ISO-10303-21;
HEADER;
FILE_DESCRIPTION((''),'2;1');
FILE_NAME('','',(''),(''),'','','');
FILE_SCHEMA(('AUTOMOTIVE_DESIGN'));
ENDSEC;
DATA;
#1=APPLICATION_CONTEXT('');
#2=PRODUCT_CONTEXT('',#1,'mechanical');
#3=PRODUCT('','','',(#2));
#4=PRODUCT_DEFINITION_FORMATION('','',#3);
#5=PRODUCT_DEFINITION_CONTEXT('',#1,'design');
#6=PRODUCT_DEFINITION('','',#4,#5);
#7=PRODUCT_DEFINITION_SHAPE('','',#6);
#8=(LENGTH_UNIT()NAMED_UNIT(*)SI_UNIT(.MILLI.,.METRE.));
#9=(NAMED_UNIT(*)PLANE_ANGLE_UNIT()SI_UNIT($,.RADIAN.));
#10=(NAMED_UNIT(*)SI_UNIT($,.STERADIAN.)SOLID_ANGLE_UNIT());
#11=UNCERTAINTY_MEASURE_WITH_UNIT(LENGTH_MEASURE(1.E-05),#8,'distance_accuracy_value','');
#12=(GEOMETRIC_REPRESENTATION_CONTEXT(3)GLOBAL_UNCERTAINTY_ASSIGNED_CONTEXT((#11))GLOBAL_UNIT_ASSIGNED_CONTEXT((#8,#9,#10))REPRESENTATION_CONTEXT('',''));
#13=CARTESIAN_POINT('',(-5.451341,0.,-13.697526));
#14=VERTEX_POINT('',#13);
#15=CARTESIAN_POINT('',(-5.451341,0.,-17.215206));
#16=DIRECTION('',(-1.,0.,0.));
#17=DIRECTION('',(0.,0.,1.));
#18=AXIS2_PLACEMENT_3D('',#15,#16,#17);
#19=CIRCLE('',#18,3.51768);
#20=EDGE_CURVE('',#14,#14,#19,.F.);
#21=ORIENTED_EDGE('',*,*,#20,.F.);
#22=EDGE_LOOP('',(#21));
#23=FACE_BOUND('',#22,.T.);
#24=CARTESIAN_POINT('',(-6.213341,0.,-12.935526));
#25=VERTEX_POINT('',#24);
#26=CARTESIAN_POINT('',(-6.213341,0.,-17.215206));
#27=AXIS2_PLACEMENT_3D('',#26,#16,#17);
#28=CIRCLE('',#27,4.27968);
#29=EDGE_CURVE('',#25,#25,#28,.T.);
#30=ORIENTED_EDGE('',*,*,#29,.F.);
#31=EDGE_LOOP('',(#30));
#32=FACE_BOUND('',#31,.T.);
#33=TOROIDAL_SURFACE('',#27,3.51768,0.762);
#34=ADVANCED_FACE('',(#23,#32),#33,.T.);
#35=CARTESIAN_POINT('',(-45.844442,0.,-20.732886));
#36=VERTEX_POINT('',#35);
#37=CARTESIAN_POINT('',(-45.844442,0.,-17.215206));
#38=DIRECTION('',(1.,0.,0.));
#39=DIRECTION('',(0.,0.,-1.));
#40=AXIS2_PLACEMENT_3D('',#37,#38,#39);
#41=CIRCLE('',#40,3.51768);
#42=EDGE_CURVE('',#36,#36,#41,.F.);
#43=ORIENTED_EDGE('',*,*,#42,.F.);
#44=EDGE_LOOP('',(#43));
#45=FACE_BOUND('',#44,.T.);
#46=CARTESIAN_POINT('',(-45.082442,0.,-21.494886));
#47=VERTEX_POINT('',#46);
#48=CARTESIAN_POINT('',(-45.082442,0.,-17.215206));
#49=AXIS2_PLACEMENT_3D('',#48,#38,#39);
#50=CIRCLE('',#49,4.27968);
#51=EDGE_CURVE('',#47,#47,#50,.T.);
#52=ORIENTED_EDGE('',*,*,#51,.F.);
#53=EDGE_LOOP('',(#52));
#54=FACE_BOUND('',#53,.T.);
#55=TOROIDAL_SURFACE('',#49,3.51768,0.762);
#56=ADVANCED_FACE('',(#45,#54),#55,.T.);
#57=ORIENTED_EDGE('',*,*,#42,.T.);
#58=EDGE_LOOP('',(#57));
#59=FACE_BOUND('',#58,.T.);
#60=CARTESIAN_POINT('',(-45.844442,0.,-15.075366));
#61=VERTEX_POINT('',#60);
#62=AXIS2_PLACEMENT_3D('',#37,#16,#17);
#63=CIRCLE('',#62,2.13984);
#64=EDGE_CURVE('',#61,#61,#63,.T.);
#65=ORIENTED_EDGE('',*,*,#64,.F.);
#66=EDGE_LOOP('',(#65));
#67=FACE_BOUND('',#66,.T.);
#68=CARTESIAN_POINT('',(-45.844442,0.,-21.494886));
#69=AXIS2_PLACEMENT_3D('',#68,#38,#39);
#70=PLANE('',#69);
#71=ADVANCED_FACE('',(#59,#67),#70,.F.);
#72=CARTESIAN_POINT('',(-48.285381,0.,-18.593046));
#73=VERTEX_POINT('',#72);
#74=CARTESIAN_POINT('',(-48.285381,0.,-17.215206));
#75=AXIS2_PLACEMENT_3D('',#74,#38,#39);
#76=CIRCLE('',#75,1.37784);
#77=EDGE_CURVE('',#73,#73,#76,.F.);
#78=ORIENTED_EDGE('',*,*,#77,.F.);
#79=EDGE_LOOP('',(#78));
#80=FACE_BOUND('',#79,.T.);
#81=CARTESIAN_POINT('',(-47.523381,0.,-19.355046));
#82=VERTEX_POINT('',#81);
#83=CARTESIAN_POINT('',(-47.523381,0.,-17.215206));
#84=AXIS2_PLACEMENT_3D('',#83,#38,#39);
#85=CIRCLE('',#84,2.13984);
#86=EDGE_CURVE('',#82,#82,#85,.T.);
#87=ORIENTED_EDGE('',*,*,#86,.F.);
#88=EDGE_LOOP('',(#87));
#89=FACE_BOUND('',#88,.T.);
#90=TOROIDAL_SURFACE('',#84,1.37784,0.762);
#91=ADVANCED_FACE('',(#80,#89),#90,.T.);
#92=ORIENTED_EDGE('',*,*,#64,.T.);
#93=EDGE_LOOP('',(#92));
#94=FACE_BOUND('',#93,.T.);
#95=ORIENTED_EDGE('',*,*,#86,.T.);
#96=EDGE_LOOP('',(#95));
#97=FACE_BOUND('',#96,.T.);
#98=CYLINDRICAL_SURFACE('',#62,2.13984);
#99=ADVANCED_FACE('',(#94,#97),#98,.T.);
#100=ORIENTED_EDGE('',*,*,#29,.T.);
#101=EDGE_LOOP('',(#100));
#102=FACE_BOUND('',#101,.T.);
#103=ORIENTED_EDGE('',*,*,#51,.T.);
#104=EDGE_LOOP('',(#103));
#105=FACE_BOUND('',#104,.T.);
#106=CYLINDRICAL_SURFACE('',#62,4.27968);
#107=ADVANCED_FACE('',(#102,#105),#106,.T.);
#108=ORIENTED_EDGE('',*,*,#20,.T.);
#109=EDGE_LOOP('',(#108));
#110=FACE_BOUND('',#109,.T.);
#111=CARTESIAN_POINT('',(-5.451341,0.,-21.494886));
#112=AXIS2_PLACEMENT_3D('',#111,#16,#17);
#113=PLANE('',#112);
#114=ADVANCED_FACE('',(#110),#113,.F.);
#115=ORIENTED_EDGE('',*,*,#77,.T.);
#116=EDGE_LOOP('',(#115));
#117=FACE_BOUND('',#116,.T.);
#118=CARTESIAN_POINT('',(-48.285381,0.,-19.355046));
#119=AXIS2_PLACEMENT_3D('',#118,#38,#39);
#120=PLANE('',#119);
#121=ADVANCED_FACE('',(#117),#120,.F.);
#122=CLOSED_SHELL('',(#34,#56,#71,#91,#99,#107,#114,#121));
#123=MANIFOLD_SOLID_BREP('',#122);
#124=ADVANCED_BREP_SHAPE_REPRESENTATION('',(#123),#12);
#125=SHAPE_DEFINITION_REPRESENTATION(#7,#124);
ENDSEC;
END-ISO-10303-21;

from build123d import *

# Parameters (mm, degrees)
FILLET2_R = 0.762


with BuildPart() as part:
    # Sketch1 → Revolve1 (revolve)
    with BuildSketch(Plane(origin=(0, 0, 0), x_dir=(1, 0, 0), z_dir=(0, 1, 0))):
        Polygon((-45.844442062, 21.494886281), (-5.451340986, 21.494886281), (-5.451340986, 17.215205983), (-45.844442062, 17.215205983), (-48.285381023, 17.215205983), (-48.285381023, 19.355046132), (-45.844442062, 19.355046132), align=None)
    revolve(axis=Axis((-45.844442062, 0, -17.215205983), (1, 0, 0)))

    # Fillet2
    fillet2_edges = [part.edges().sort_by_distance(p)[0] for p in [
        (-48.285381023, 0, -15.075365834),
        (-5.451340986, 0, -12.935525685),
        (-45.844442062, 0, -12.935525685),
    ]]
    fillet(fillet2_edges, radius=FILLET2_R)


solid = part.part
